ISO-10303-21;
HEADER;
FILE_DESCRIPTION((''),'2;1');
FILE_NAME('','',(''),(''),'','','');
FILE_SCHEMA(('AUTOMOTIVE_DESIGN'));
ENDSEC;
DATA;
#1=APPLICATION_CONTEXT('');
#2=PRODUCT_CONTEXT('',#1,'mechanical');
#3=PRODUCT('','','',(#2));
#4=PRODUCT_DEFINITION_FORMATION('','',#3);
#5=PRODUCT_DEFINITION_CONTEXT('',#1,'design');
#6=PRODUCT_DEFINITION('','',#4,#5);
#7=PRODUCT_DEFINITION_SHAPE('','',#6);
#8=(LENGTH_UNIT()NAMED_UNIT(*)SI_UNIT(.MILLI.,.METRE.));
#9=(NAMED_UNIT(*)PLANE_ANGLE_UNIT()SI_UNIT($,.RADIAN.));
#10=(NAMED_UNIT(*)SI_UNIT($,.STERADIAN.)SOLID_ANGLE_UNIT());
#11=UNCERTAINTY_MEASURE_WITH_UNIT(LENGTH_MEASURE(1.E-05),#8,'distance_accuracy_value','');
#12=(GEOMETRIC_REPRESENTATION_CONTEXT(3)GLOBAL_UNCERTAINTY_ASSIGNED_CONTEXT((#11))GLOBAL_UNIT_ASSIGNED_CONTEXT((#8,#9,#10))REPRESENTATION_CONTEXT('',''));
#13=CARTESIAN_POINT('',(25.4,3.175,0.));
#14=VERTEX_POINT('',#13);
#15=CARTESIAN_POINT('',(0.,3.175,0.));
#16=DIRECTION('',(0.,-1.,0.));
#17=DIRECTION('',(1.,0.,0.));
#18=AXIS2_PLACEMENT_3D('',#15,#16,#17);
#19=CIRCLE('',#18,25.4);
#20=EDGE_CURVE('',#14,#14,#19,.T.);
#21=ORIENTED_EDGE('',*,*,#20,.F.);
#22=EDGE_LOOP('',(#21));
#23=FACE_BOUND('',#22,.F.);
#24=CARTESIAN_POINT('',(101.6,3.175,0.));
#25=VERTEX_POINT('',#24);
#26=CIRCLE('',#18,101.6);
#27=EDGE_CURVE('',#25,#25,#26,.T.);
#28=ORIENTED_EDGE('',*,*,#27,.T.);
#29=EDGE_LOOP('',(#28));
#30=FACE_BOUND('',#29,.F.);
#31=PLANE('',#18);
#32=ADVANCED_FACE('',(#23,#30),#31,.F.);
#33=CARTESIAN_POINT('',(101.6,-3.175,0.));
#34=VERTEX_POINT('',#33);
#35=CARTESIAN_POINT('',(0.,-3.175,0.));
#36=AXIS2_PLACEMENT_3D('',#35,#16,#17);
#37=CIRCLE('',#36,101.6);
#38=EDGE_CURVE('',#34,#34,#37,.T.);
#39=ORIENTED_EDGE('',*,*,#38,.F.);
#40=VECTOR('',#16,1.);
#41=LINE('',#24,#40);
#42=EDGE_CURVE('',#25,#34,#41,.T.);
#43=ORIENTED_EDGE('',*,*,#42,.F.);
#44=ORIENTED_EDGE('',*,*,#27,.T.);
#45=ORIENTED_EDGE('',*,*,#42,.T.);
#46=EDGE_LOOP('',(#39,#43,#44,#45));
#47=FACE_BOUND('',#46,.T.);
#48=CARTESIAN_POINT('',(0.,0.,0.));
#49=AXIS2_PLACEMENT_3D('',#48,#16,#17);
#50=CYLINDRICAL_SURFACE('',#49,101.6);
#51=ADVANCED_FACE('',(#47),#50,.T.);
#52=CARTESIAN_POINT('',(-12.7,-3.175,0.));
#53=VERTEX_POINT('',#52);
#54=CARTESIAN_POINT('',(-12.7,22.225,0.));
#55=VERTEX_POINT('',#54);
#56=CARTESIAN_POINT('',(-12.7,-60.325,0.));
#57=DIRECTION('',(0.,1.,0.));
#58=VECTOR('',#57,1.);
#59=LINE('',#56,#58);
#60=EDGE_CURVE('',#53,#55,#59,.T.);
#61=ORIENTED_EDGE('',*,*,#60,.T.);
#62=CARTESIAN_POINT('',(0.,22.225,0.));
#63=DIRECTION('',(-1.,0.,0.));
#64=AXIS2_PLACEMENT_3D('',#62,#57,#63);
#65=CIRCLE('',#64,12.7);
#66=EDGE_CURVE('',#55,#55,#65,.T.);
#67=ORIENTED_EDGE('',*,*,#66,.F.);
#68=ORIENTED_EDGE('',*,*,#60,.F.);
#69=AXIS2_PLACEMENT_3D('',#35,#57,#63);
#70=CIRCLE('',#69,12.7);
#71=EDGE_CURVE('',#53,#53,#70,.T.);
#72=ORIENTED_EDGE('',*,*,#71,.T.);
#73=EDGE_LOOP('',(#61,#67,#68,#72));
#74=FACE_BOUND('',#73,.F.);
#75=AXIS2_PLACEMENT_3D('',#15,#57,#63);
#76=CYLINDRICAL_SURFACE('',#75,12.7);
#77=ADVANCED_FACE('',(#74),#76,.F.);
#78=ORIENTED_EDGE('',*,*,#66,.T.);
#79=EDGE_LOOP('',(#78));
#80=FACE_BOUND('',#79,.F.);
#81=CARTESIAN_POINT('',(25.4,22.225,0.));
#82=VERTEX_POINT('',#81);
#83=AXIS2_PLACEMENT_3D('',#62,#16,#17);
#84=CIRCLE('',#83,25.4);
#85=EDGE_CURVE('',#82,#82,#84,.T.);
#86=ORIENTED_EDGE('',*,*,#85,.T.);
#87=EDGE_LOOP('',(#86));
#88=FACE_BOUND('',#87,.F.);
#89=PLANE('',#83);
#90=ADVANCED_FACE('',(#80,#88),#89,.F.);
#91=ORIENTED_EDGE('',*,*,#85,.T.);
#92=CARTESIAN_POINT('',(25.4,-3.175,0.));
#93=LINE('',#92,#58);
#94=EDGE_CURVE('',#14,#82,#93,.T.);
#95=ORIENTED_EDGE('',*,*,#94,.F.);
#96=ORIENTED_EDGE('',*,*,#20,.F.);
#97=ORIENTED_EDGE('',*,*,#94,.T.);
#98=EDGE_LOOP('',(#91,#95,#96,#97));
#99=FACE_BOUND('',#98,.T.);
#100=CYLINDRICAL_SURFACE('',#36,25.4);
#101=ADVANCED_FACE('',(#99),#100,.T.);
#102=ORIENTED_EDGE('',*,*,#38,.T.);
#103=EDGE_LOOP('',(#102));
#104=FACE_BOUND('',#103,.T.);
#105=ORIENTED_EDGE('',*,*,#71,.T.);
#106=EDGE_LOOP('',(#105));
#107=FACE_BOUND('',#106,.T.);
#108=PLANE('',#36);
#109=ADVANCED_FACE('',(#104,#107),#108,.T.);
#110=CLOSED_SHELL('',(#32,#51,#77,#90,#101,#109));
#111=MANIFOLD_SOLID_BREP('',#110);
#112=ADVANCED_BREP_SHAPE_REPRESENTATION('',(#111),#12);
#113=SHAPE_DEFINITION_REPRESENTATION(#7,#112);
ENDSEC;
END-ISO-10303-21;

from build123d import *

# Parameters (mm, degrees)
F0_R     = 101.6
F1_DEPTH = 3.175
F2_R     = 25.4
F3_DEPTH = 25.4
F4_R     = 12.7
F5_DEPTH = 63.5


with BuildPart() as f1:
    # F0 (on Front) → F1 (new body, symmetric)
    with BuildSketch(Plane.XZ):
        Circle(F0_R)
    extrude(amount=F1_DEPTH, both=True)

    # F2 (on face) → F3 (join)
    with BuildSketch(Plane.XZ.offset(3.175)):
        Circle(F2_R)
    extrude(amount=-F3_DEPTH)

    # F4 (on face) → F5 (cut, symmetric)
    with BuildSketch(Plane(origin=(0, 3.175, 0), x_dir=(-1, 0, 0), z_dir=(0, 1, 0))):
        Circle(F4_R)
    extrude(amount=F5_DEPTH, both=True, mode=Mode.SUBTRACT)


solid = f1.part
